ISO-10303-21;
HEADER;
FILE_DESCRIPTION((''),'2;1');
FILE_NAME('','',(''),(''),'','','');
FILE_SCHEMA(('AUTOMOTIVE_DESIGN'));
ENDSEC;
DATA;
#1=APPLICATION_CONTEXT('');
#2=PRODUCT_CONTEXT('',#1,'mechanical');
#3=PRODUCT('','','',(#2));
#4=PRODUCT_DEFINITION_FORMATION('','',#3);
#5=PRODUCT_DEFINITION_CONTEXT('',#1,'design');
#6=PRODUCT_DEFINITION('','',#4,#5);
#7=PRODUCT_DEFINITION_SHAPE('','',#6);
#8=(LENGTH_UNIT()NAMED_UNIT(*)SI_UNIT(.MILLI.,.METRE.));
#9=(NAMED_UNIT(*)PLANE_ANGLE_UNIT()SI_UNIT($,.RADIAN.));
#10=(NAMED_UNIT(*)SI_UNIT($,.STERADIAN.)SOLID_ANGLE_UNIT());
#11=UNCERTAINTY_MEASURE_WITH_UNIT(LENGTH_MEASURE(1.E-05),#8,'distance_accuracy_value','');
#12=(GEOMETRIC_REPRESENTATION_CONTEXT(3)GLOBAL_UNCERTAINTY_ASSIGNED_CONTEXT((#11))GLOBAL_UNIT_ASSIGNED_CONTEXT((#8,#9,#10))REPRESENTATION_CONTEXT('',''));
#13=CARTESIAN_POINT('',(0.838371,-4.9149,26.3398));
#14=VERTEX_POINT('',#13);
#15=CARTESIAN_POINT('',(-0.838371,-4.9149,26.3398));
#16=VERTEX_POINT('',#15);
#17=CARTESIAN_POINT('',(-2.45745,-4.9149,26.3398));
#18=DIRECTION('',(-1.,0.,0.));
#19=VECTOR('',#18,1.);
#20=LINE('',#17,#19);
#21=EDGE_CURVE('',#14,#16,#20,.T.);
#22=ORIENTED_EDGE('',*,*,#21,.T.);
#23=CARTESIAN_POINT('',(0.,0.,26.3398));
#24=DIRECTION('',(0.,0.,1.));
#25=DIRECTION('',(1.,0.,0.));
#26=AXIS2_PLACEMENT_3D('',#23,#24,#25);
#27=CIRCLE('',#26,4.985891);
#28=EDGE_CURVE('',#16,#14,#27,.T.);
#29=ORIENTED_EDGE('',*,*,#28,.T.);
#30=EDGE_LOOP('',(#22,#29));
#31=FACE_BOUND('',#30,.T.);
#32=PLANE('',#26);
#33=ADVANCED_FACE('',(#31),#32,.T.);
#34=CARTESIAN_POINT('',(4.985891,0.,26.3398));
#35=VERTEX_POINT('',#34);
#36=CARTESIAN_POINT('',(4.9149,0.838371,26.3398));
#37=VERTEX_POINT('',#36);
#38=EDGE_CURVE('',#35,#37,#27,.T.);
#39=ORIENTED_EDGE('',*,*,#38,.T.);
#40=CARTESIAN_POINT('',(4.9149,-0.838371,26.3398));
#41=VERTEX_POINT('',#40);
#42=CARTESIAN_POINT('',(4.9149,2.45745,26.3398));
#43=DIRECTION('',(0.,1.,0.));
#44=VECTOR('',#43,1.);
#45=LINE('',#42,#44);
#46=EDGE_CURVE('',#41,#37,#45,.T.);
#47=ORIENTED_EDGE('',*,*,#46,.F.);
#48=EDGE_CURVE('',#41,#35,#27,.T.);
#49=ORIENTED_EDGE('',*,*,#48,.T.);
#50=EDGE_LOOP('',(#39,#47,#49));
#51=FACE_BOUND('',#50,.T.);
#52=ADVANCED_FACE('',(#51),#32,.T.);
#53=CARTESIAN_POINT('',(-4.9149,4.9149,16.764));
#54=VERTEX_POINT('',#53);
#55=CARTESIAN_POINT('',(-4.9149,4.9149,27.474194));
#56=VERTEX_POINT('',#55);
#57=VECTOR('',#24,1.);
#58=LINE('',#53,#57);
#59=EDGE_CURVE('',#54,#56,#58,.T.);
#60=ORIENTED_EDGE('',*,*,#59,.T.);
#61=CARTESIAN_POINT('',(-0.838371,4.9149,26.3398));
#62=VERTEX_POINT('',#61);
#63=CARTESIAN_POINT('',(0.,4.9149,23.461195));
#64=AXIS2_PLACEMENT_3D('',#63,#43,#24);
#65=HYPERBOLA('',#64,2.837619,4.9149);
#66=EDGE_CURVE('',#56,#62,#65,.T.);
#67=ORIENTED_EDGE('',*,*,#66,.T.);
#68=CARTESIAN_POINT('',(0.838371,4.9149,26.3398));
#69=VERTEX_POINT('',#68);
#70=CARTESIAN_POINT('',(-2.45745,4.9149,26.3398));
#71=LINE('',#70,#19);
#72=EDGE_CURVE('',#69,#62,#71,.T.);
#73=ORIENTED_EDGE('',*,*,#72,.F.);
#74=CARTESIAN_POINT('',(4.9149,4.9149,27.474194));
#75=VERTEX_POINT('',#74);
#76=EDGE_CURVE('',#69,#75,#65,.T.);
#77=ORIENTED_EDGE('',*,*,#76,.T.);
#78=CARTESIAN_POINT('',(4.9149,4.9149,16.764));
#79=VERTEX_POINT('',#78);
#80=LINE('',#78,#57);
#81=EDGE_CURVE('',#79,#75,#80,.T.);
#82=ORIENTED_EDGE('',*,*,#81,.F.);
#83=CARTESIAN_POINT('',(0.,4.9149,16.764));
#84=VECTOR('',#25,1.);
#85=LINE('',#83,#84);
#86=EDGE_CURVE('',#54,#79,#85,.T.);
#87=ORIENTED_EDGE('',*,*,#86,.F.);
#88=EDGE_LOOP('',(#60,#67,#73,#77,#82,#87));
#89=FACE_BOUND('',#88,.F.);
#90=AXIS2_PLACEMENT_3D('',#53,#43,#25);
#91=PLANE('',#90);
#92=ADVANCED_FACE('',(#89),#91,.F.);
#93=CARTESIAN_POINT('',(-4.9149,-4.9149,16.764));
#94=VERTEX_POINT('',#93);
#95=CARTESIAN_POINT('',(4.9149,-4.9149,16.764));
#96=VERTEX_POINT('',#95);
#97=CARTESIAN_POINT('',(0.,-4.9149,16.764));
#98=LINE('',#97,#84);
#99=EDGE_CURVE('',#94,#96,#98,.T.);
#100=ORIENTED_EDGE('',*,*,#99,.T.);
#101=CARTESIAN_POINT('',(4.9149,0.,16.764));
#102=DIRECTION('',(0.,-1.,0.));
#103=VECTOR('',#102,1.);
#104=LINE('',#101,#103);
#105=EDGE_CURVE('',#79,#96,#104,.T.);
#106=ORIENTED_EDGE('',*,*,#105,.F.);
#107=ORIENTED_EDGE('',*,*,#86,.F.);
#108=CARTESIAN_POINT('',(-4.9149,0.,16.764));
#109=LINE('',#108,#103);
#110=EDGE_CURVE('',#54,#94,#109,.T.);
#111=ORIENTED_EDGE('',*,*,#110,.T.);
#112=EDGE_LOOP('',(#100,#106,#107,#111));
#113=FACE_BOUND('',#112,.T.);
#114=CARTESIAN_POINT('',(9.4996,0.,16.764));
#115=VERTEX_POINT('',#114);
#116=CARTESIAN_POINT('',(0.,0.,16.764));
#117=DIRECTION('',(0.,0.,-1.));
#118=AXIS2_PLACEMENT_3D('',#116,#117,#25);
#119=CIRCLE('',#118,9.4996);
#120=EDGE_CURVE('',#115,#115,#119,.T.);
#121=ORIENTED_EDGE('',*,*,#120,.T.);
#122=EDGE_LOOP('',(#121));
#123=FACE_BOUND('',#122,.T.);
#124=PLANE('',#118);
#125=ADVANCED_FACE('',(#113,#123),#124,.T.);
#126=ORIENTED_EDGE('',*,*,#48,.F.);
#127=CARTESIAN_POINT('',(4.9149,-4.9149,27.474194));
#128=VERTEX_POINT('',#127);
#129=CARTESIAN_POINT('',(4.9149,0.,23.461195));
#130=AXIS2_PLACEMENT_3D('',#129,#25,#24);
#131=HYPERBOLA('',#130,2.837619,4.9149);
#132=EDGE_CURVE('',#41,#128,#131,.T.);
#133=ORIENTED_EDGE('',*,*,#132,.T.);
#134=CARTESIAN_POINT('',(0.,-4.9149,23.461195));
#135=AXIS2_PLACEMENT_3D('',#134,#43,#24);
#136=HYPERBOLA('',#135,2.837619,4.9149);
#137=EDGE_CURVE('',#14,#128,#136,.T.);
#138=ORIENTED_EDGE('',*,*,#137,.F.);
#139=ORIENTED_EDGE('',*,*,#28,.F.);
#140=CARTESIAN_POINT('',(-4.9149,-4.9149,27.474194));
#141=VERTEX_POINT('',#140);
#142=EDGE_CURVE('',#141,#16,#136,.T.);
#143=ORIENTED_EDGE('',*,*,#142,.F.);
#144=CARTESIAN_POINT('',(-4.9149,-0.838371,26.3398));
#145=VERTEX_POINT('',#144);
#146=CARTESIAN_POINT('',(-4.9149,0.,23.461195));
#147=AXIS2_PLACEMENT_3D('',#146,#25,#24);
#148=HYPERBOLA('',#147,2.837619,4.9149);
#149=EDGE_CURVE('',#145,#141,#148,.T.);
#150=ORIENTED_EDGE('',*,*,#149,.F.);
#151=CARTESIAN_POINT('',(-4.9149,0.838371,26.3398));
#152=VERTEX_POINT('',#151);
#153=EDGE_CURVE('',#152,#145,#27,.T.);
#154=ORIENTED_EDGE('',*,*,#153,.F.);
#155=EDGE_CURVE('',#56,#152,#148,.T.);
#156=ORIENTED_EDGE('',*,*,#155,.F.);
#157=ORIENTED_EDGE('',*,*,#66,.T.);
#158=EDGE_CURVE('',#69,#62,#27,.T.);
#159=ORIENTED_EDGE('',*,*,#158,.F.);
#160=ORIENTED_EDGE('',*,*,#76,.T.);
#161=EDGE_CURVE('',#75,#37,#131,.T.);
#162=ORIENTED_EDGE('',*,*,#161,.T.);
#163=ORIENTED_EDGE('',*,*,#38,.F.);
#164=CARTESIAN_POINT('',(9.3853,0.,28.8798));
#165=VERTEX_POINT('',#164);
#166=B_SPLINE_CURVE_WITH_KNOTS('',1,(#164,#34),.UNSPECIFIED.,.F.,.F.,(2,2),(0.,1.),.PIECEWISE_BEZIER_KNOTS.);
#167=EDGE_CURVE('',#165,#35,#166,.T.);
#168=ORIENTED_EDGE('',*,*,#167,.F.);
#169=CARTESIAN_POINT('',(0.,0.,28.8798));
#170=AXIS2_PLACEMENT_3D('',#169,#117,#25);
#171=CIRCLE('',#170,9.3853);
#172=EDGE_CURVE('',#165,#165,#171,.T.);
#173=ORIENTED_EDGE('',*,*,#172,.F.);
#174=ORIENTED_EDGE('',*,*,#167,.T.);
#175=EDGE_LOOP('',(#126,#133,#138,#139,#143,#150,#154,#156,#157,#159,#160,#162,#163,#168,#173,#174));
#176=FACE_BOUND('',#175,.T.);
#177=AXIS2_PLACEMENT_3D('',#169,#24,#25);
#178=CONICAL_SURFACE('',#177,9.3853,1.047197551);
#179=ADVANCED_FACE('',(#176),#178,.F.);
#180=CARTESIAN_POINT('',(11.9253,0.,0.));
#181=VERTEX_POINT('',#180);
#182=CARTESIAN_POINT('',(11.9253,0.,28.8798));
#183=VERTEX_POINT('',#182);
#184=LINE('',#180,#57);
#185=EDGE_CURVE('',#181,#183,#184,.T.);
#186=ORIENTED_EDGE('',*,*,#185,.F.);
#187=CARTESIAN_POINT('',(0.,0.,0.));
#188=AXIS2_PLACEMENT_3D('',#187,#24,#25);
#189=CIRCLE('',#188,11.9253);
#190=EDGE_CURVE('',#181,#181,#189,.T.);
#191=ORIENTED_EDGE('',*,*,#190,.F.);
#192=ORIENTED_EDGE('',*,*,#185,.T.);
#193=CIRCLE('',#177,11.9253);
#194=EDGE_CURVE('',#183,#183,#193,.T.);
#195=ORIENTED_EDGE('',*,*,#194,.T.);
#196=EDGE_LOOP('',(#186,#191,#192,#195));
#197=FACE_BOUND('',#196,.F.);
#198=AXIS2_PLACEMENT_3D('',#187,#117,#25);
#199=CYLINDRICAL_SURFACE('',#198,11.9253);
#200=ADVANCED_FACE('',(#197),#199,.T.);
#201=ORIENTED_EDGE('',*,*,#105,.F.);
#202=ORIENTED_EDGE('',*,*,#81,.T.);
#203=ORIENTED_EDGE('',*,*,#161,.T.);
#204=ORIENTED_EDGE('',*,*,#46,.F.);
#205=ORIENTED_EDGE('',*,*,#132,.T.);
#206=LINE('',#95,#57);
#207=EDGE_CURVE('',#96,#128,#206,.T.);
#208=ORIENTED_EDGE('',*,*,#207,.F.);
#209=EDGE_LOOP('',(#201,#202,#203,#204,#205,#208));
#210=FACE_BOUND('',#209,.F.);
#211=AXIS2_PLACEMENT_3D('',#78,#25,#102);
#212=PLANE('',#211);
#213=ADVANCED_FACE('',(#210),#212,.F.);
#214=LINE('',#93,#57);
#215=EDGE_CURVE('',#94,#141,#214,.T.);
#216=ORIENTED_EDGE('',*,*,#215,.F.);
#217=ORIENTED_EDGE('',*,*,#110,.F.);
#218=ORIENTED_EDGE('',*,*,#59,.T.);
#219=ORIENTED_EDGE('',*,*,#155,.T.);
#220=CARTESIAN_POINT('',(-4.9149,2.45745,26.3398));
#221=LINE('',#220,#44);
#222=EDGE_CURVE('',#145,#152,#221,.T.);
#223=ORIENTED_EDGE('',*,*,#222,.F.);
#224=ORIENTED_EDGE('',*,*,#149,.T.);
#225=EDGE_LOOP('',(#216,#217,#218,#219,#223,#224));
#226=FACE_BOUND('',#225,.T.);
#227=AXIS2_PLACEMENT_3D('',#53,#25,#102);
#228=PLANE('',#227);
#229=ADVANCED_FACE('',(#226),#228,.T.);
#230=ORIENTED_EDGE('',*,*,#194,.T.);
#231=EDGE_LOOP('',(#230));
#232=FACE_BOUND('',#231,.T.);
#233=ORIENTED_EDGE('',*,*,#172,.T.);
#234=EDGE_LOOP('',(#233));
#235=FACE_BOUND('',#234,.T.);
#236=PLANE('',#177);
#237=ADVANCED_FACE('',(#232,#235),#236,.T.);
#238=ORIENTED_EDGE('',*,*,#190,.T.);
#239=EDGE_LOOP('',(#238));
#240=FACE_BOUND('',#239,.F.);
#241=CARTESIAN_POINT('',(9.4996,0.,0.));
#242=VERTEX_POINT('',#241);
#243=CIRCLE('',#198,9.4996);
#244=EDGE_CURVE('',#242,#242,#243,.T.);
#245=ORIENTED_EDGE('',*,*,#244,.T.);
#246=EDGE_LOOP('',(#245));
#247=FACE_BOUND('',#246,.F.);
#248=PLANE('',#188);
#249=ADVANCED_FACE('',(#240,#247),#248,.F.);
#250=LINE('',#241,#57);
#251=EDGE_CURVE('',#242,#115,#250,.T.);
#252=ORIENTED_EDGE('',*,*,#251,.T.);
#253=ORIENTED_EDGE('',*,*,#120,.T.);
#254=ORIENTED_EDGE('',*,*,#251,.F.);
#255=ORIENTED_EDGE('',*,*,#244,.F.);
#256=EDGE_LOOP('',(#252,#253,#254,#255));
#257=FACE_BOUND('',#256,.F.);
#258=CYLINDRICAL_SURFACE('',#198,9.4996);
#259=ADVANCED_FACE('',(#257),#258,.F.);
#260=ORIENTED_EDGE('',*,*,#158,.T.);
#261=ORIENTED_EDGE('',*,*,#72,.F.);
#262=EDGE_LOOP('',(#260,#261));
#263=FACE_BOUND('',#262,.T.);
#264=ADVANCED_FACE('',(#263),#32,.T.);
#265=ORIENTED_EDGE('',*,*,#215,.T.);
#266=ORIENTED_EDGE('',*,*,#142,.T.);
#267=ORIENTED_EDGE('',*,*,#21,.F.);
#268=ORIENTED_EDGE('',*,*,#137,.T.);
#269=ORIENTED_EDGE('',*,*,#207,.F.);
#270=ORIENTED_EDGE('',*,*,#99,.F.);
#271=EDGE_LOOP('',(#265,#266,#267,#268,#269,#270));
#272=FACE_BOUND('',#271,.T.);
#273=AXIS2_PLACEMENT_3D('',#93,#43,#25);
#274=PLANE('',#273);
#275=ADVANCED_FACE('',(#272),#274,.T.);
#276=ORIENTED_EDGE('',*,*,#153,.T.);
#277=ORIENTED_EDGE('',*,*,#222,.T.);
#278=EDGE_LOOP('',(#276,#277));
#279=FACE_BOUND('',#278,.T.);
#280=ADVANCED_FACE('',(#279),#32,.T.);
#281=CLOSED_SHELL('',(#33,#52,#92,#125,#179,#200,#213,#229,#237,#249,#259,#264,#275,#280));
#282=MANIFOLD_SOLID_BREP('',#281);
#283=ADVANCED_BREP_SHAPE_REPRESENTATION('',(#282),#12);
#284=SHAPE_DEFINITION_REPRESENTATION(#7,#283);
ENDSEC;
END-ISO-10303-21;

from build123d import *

# Parameters (mm, degrees)
F0_R     = 11.9253
F1_DEPTH = 28.8798
F2_R     = 9.3853
F3_DEPTH = 2.54
F3_TAPER = 60
F4_R     = 9.4996
F5_DEPTH = 16.764
F6_W     = 9.8298
F6_H     = 9.8298
F7_DEPTH = 12.1168001


with BuildPart() as f1:
    # F0 (on Top) → F1 (new body)
    with BuildSketch(Plane.XY):
        Circle(F0_R)
    extrude(amount=F1_DEPTH)

    # F2 (on face) → F3 (cut)
    with BuildSketch(Plane.XY.offset(28.8798)):
        Circle(F2_R)
    extrude(amount=-F3_DEPTH, taper=F3_TAPER, mode=Mode.SUBTRACT)

    # F4 (on face) → F5 (cut)
    with BuildSketch(Plane(origin=(0, 0, 0), x_dir=(1, 0, 0), z_dir=(0, 0, -1))):
        Circle(F4_R)
    extrude(amount=-F5_DEPTH, mode=Mode.SUBTRACT)

    # F6 (on face) → F7 (cut, through all)
    with BuildSketch(Plane(origin=(0, 0, 16.764), x_dir=(1, 0, 0), z_dir=(0, 0, -1))):
        Rectangle(F6_W, F6_H)
    extrude(amount=-F7_DEPTH, mode=Mode.SUBTRACT)


solid = f1.part
